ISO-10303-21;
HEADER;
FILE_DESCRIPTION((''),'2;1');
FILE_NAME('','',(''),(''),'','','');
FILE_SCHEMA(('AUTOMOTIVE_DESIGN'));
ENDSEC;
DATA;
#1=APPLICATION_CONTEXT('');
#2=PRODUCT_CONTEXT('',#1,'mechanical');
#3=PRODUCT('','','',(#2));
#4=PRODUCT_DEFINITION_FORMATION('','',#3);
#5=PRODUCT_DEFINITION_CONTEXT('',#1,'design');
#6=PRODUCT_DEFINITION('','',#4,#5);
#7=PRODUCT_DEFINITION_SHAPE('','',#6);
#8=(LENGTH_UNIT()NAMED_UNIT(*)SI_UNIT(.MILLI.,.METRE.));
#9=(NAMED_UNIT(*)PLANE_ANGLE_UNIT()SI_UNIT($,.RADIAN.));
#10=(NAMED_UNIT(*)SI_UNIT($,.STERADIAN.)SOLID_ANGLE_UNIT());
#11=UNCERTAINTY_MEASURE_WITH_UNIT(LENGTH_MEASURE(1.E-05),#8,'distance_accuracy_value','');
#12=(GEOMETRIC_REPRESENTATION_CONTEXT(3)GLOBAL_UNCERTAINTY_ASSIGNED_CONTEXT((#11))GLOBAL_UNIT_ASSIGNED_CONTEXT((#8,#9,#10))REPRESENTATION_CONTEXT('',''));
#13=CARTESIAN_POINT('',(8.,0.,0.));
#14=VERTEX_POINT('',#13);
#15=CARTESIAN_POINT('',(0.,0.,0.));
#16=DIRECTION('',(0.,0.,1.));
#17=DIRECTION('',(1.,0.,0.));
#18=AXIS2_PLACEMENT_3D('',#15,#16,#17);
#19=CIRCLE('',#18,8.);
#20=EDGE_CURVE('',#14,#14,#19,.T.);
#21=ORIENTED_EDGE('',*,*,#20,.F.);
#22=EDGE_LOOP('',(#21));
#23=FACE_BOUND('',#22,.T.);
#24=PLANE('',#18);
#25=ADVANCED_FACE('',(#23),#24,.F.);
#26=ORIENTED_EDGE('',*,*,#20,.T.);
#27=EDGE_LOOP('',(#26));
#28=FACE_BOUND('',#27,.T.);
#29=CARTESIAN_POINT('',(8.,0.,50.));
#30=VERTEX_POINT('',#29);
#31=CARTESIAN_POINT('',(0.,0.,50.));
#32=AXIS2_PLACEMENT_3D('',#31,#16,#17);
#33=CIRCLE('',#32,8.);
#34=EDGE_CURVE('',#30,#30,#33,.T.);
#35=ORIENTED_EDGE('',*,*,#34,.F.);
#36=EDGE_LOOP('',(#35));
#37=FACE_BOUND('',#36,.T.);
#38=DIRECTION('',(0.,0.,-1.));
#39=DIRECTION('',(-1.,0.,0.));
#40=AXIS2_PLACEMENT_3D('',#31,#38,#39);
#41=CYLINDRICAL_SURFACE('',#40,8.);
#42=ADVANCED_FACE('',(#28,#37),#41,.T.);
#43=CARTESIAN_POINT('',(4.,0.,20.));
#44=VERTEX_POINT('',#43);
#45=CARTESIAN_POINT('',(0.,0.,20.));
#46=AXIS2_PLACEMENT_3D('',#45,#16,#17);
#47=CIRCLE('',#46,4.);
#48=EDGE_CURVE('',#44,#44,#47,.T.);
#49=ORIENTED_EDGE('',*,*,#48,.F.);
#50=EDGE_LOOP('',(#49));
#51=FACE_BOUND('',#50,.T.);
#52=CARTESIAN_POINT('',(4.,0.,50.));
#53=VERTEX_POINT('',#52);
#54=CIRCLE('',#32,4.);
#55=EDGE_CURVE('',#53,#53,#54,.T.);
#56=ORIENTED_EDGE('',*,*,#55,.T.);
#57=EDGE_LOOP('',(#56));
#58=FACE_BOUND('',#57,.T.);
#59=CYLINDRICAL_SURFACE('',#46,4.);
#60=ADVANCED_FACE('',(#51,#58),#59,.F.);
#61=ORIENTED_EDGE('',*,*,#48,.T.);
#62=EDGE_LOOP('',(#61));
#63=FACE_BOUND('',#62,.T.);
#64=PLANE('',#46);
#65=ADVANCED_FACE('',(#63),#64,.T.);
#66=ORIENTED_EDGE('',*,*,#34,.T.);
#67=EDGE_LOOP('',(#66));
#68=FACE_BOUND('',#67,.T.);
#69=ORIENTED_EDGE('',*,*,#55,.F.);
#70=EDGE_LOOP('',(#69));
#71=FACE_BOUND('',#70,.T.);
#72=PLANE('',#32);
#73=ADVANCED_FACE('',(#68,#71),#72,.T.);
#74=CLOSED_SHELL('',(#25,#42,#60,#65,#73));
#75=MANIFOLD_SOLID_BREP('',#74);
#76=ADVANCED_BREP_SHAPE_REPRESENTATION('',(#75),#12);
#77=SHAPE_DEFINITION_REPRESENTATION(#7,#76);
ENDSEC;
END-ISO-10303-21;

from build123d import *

# Parameters (mm, degrees)
SKETCH_1_R          = 8
EXTRUDE_1_DEPTH     = 50
SKETCH_2_R          = 4
CUT_EXTRUDE_1_DEPTH = 30


with BuildPart() as part:
    # 스케치1 → 보스-돌출1 (new body)
    with BuildSketch(Plane.XY):
        Circle(SKETCH_1_R)
    extrude(amount=EXTRUDE_1_DEPTH)

    # 스케치2 → 컷-돌출1 (cut)
    with BuildSketch(Plane.XY.offset(50)):
        Circle(SKETCH_2_R)
    extrude(amount=-CUT_EXTRUDE_1_DEPTH, mode=Mode.SUBTRACT)


solid = part.part
